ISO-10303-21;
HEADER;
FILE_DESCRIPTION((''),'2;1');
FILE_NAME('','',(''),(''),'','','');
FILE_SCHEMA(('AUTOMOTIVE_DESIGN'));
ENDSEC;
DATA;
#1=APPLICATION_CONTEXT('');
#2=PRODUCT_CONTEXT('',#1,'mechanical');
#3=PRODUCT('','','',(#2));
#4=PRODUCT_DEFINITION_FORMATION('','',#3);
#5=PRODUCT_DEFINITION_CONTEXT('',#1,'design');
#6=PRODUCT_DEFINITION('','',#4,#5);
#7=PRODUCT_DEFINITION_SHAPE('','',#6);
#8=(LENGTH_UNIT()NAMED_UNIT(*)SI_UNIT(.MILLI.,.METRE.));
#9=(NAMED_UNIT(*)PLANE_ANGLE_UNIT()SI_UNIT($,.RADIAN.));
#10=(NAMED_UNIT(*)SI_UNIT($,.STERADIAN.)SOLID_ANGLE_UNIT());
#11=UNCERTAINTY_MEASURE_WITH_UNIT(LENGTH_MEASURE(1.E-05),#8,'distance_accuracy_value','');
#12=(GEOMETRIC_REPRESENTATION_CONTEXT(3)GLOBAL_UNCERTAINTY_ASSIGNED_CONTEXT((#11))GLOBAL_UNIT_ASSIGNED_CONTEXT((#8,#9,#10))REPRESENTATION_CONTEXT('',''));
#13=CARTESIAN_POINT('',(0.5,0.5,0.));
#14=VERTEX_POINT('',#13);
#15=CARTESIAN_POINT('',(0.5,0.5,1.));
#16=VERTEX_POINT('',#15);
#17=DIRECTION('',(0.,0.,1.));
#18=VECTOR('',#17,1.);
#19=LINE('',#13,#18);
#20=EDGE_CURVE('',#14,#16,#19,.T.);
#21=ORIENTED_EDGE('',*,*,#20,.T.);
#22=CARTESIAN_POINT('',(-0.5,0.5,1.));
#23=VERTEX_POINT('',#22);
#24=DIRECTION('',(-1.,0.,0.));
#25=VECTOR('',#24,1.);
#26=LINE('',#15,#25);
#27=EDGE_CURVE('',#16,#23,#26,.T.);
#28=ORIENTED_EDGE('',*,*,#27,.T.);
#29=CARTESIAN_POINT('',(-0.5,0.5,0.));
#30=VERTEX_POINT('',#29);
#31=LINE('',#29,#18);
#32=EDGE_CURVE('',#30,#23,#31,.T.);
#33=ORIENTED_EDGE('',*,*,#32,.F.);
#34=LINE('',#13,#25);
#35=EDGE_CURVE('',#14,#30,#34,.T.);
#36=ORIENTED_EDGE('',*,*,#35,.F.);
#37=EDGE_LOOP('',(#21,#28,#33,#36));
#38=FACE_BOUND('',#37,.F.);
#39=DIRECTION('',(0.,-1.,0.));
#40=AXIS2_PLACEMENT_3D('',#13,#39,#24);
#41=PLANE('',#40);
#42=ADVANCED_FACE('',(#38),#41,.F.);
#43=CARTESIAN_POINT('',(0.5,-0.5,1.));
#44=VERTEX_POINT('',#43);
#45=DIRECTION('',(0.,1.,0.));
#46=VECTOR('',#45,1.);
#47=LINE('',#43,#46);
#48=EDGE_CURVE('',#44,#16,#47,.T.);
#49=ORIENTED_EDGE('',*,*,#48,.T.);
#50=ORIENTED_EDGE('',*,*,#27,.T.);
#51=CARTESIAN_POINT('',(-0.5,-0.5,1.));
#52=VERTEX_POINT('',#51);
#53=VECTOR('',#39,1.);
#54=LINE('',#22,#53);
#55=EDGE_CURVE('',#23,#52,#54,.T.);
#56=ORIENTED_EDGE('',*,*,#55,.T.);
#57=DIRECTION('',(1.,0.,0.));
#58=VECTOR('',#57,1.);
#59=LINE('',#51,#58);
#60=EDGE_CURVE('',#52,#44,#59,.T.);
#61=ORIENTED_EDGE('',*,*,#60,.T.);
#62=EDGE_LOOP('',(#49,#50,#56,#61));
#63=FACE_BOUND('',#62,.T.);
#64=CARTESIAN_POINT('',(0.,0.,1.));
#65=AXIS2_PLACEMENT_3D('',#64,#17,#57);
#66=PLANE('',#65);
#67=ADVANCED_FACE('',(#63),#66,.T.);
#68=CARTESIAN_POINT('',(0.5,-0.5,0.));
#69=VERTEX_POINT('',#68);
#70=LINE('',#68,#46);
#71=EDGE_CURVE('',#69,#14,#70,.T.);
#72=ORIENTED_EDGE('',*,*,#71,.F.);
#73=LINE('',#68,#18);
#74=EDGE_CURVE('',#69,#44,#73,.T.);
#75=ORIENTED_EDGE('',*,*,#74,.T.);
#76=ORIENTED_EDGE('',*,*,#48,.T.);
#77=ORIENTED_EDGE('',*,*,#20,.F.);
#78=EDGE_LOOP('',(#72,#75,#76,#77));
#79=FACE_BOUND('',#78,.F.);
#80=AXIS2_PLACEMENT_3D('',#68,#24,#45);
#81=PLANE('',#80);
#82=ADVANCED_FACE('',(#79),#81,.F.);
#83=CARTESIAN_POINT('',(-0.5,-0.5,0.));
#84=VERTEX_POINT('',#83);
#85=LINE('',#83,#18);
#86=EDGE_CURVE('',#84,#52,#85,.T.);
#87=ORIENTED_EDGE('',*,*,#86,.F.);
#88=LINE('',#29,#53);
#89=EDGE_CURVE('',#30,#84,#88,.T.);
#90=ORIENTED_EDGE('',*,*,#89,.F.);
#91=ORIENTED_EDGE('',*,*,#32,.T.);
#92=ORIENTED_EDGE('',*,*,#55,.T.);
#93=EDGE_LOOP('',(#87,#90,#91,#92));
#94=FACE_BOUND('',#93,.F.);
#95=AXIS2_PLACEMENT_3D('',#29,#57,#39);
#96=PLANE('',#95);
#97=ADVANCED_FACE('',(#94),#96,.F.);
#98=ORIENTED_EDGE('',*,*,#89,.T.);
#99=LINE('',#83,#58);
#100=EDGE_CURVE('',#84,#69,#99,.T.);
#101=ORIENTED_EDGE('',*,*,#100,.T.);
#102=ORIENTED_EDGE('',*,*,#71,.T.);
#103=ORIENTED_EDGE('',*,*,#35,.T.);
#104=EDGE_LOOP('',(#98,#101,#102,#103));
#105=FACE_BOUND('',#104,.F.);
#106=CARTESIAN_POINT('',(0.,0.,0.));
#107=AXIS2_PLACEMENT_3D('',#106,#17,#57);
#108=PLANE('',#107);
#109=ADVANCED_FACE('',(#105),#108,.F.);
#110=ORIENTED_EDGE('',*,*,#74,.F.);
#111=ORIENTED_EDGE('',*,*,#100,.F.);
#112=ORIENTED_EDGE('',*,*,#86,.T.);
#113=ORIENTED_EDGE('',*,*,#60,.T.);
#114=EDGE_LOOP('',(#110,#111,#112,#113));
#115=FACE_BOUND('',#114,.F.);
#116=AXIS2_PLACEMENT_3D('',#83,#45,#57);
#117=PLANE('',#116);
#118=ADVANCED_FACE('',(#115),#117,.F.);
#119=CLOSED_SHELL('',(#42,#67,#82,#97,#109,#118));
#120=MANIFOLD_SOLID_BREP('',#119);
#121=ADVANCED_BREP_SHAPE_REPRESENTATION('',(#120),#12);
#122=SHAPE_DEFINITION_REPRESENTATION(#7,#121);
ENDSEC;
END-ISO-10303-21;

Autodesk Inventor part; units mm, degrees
ref_plane "YZ Plane" through (0, 0, 0) normal (1, 0, 0) x (0, 1, 0)
ref_plane "XZ Plane" through (0, 0, 0) normal (0, 1, 0) x (-1, 0, 0)
ref_plane "XY Plane" through (0, 0, 0) normal (0, 0, 1) x (1, 0, 0)
sketch "Skizze1" plane through (0, 0, 0) normal (0, 0, 1) x (1, 0, 0)
  line L0 (-0.5, -0.5) -> (0.5, -0.5)
  line L1 (0.5, -0.5) -> (0.5, 0.5)
  line L2 (0.5, 0.5) -> (-0.5, 0.5)
  line L3 (-0.5, 0.5) -> (-0.5, -0.5)
  line L4 (-0.5, -0.5) -> (0.5, 0.5) construction
  line L5 (0.5, -0.5) -> (-0.5, 0.5) construction
  point P0 (0, 0)
  dimension "d0" = 1
  dimension "d1" = 1
extrude "Extrusion1" add sketch "Skizze1" along normal blind 1
properties part number "Init_Step"
